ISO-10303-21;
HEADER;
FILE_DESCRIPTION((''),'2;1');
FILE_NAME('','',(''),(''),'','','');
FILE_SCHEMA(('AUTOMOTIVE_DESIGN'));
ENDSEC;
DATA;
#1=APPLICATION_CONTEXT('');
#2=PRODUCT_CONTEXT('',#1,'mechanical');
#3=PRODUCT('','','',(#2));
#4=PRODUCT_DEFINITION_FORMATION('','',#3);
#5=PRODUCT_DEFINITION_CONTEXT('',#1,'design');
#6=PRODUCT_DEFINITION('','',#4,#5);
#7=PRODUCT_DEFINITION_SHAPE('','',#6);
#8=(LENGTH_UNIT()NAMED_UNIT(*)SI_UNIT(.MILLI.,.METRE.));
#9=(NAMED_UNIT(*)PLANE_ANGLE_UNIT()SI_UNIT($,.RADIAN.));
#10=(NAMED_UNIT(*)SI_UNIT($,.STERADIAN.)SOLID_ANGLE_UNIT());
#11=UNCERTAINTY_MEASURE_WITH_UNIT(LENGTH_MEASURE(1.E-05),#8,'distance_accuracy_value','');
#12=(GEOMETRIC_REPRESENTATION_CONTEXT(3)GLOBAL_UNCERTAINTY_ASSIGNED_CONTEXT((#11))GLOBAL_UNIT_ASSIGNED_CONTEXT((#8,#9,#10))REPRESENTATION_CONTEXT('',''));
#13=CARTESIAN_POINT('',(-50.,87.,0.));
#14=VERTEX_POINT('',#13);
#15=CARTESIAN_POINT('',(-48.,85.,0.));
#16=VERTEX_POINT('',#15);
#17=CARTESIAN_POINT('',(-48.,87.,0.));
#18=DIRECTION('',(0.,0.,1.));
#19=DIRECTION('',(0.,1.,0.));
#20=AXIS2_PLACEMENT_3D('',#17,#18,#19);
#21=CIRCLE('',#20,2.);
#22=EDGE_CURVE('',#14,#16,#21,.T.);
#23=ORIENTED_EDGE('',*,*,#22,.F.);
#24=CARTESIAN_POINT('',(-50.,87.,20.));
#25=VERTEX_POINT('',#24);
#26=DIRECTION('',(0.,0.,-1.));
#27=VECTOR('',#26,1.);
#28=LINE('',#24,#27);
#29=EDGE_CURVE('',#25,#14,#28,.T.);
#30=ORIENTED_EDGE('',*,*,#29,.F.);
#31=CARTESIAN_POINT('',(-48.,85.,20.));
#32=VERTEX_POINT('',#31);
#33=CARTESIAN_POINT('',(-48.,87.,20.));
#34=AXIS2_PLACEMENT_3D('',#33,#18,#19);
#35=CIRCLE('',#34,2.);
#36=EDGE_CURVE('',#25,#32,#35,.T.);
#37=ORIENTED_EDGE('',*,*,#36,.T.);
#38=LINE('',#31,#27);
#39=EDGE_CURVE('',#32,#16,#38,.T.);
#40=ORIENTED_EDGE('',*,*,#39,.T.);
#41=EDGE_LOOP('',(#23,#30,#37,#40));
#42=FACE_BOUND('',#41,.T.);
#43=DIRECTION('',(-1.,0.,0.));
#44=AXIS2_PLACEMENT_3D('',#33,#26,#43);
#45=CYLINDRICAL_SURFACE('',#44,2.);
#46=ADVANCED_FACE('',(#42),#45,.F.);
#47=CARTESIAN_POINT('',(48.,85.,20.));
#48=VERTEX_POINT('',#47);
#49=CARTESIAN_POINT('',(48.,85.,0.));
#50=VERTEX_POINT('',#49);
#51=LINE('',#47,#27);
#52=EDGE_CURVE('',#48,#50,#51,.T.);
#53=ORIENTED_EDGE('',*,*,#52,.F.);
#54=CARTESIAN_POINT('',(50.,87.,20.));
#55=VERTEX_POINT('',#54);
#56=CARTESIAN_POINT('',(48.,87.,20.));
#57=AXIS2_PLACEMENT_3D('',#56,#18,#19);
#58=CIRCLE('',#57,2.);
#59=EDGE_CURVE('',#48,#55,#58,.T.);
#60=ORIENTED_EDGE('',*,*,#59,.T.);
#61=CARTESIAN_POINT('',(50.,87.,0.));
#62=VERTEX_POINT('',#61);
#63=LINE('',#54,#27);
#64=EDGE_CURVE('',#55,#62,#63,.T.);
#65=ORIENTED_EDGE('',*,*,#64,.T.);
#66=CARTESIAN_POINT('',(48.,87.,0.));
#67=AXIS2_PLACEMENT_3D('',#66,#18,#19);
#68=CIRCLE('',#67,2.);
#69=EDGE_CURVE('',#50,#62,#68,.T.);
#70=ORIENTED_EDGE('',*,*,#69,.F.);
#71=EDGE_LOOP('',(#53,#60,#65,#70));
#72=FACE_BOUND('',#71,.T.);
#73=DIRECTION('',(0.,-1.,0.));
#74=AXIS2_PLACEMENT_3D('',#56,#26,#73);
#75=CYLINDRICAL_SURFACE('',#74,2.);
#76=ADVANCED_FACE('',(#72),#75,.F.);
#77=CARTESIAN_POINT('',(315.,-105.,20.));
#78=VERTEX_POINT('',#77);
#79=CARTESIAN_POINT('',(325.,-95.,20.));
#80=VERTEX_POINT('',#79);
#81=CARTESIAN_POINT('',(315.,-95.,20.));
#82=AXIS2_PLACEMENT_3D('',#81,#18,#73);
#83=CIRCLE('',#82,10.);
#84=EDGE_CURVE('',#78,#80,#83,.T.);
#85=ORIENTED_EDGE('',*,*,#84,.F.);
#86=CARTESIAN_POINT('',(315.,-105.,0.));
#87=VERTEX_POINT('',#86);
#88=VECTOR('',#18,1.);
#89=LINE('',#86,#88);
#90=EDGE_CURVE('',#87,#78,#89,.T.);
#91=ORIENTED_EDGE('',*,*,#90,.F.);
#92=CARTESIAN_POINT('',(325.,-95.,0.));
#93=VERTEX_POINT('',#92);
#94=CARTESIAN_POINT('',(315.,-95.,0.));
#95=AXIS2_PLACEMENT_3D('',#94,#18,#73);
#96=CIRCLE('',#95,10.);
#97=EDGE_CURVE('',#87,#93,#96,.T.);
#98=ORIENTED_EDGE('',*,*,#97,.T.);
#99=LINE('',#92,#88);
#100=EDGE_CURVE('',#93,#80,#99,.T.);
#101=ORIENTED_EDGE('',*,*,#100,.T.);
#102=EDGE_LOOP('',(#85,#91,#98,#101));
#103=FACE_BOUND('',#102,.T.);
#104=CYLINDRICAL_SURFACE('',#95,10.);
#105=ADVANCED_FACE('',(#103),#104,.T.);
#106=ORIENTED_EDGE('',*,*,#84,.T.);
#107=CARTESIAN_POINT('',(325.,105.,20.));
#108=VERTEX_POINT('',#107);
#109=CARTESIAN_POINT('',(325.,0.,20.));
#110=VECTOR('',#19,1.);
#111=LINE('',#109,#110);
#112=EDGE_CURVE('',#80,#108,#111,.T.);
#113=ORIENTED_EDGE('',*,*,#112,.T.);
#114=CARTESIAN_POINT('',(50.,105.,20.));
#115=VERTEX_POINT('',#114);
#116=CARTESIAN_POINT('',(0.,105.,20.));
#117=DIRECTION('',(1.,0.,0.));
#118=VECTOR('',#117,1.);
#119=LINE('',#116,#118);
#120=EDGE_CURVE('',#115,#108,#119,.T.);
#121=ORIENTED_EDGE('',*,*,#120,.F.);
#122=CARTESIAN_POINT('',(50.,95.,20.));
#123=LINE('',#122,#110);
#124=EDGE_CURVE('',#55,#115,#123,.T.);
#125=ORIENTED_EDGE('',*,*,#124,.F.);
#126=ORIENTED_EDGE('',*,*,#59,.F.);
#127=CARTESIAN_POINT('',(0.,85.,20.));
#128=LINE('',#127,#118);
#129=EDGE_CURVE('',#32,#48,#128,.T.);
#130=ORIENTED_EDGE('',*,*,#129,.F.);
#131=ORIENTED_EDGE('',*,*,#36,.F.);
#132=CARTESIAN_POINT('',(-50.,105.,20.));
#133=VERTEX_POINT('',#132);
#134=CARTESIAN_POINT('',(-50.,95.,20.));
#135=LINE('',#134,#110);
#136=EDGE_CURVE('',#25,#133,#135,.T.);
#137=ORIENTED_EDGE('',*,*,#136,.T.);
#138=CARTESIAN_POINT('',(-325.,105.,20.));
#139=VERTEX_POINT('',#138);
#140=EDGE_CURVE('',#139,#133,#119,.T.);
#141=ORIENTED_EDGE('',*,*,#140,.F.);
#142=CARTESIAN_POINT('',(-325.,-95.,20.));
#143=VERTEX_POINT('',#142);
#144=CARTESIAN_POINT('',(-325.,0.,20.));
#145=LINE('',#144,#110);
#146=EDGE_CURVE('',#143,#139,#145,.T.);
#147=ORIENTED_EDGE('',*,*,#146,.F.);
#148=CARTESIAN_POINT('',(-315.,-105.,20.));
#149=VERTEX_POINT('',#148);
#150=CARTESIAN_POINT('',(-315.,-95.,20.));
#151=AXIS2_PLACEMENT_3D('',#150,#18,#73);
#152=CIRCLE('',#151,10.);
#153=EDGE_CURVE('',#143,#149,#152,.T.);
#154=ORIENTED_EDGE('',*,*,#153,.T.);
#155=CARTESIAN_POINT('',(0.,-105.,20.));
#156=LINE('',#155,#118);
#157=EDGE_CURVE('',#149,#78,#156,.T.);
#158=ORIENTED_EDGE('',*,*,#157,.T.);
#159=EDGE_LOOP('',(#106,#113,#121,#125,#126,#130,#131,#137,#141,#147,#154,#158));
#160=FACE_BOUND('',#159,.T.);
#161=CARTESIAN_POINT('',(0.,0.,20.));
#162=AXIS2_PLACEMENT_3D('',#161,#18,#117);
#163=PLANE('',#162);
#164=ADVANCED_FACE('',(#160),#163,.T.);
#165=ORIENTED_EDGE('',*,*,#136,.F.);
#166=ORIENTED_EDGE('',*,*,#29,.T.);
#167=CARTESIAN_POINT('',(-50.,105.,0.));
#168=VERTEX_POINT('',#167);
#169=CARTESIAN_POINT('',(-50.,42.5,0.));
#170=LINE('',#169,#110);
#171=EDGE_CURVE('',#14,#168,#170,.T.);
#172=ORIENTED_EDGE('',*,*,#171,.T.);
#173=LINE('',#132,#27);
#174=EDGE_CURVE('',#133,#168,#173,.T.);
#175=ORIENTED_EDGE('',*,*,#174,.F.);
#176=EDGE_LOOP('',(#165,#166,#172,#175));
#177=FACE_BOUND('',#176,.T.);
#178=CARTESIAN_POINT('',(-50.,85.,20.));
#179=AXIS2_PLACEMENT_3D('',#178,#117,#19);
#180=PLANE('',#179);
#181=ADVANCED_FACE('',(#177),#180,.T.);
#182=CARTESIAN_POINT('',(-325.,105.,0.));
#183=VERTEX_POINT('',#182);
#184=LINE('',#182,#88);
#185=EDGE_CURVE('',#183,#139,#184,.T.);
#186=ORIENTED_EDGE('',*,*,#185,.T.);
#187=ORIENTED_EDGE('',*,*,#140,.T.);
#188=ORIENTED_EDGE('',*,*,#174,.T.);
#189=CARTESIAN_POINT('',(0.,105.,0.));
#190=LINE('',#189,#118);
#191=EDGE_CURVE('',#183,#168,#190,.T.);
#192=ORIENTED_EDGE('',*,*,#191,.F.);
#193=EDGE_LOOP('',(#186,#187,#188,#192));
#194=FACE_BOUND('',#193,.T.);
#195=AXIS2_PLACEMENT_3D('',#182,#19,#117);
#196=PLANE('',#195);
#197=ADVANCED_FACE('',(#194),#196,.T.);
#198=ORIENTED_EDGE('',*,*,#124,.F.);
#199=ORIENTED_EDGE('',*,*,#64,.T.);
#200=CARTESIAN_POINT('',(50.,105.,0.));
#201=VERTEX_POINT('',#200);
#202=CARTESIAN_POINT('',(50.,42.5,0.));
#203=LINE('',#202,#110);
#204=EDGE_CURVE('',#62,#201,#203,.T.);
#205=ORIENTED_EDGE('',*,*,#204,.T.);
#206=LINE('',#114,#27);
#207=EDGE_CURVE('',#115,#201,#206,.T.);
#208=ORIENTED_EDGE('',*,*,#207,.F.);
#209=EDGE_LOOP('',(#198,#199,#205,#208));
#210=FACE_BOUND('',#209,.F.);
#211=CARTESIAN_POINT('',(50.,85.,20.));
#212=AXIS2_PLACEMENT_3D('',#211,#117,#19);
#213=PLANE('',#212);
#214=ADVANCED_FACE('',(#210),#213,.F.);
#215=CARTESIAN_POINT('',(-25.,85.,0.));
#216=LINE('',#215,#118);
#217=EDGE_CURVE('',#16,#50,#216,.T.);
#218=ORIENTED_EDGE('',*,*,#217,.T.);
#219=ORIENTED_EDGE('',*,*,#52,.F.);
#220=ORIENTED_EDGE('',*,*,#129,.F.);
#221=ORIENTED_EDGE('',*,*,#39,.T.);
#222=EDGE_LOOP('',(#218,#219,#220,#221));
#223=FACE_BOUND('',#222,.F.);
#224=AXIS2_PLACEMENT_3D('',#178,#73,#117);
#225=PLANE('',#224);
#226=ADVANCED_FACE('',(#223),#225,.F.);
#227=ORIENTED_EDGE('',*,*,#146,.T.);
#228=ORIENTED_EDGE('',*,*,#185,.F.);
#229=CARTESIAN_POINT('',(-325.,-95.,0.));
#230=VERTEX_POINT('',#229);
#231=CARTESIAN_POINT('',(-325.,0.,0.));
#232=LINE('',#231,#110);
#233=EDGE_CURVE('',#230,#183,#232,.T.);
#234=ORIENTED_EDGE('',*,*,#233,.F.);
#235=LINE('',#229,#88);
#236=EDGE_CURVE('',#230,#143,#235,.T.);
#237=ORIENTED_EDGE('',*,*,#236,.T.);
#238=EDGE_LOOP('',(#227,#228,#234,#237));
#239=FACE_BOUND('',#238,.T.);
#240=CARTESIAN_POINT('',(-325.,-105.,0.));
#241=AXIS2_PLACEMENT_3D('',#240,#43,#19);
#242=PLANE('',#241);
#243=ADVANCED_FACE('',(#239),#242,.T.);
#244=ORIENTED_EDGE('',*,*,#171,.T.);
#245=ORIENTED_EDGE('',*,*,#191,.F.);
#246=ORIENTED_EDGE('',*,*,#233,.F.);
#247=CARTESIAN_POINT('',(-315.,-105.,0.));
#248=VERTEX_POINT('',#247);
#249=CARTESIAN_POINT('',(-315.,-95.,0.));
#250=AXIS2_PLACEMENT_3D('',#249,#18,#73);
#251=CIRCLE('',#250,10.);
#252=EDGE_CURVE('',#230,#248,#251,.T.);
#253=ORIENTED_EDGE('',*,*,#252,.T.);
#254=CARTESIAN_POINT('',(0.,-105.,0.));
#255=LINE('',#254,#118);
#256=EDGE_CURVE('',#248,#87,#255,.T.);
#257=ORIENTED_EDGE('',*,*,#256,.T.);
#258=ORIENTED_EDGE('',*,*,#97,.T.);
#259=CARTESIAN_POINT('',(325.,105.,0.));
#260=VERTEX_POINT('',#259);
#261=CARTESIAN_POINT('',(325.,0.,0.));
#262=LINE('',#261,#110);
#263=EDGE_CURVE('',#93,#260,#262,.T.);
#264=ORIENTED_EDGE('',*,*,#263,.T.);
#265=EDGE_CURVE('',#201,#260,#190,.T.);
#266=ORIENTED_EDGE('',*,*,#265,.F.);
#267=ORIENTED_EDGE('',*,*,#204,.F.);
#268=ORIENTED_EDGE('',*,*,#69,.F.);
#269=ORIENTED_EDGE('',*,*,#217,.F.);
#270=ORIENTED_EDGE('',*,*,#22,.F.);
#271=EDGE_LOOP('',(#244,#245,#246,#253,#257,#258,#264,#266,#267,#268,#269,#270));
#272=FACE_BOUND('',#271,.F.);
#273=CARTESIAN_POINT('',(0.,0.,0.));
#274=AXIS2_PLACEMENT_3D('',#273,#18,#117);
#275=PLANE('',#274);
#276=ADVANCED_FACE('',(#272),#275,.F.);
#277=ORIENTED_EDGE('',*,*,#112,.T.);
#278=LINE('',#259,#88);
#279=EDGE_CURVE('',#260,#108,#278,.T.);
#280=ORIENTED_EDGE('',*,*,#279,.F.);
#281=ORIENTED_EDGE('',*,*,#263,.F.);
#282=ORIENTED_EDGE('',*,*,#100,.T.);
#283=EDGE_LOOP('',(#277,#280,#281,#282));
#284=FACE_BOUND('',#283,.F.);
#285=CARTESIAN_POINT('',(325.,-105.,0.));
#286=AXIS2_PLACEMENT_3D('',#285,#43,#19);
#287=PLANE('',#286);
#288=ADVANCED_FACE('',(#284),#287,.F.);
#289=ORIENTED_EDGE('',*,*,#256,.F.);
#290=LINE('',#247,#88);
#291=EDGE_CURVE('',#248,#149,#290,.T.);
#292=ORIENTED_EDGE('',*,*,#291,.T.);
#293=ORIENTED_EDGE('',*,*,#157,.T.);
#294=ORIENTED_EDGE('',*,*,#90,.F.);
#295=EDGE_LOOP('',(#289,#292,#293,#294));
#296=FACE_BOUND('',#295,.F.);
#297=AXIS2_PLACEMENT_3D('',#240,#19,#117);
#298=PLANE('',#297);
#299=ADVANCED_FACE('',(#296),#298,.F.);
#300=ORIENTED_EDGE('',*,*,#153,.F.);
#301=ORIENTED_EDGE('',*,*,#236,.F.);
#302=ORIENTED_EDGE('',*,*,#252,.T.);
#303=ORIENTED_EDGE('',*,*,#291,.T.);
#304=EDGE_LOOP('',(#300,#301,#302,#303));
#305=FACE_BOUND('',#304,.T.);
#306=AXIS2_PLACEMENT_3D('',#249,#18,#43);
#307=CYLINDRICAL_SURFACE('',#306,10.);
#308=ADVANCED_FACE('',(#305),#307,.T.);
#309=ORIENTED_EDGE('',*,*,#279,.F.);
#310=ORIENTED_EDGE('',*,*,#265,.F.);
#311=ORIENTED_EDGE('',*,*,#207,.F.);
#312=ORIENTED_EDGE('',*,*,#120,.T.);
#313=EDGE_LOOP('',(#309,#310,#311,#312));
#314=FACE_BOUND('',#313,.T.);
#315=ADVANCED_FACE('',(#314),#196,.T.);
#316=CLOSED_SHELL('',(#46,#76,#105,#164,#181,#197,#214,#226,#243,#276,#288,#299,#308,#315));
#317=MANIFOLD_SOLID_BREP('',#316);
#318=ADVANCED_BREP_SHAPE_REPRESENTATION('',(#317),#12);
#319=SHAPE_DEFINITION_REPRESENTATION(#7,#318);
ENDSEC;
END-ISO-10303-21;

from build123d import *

# Parameters (mm, degrees)
F0_W     = 650
F0_H     = 210
F1_DEPTH = 20
F2_W     = 100
F2_H     = 20
F3_DEPTH = 20.001
F4_R     = 10
F5_R     = 2


with BuildPart() as f1:
    # F0 (on Top) → F1 (new body)
    with BuildSketch(Plane.XY):
        Rectangle(F0_W, F0_H)
    extrude(amount=F1_DEPTH)

    # F2 (on face) → F3 (cut, through all)
    with BuildSketch(Plane.XY.offset(20)):
        with Locations((0, 95)):
            Rectangle(F2_W, F2_H)
    extrude(amount=-F3_DEPTH, mode=Mode.SUBTRACT)

    # F4
    f4_edges = [f1.edges().sort_by_distance(p)[0] for p in [
        (-325, -105, 10),
        (325, -105, 10),
    ]]
    fillet(f4_edges, radius=F4_R)

    # F5
    f5_edges = [f1.edges().sort_by_distance(p)[0] for p in [
        (-50, 85, 10),
        (50, 85, 10),
    ]]
    fillet(f5_edges, radius=F5_R)


solid = f1.part
